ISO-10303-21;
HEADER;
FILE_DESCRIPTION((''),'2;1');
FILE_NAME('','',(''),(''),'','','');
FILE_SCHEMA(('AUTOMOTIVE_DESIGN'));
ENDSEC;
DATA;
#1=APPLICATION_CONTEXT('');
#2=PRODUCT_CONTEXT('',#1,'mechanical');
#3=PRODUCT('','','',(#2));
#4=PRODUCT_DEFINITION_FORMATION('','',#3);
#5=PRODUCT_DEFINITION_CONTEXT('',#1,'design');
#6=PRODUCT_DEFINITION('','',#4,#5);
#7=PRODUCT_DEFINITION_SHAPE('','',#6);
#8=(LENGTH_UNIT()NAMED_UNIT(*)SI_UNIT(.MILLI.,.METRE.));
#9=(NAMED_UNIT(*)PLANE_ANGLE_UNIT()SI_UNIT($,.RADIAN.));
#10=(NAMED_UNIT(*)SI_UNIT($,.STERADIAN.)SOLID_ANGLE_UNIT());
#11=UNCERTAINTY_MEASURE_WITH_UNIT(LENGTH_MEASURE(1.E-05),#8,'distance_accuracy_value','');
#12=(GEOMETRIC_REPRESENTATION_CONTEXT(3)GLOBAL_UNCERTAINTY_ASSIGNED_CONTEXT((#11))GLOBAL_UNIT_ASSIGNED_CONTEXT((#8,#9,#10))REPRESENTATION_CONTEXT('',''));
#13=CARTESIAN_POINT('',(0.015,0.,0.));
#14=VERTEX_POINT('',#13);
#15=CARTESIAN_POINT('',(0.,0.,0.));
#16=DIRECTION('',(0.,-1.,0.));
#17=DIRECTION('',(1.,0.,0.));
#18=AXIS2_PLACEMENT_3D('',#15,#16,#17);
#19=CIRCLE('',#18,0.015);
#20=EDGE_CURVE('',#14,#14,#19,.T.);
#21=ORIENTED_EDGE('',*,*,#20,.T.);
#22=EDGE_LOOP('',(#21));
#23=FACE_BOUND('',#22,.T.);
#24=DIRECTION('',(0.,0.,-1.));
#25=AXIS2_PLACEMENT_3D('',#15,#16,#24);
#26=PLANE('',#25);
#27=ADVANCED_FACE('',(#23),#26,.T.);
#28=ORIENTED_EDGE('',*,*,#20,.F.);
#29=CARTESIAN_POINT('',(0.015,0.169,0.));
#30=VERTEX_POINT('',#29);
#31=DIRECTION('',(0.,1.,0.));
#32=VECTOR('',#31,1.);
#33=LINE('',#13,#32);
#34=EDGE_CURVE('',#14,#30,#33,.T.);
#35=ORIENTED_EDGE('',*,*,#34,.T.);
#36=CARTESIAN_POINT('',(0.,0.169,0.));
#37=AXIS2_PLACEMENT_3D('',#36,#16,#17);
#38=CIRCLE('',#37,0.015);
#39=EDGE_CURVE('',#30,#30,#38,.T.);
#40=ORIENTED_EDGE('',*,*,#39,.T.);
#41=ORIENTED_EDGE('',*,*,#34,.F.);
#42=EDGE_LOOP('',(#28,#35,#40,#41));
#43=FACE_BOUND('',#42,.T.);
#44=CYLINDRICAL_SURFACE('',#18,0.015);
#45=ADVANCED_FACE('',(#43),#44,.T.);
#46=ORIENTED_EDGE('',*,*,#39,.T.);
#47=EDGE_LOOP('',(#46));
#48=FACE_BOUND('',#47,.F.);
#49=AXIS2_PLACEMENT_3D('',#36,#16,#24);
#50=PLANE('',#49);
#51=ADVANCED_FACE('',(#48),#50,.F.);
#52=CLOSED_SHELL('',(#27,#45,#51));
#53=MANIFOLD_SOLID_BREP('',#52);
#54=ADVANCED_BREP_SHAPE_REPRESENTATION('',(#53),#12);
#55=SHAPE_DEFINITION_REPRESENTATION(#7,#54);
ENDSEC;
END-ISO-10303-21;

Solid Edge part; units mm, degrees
sketch "Sketch1" plane through (0, 0, 0) normal (0, -1, 0) x (1, 0, 0)
  circle A0 centre (0, 0) radius 0.015
  dimension "D1" = 0.03
extrude "Protrusion1" add sketch "Sketch1" against normal blind 0.169
